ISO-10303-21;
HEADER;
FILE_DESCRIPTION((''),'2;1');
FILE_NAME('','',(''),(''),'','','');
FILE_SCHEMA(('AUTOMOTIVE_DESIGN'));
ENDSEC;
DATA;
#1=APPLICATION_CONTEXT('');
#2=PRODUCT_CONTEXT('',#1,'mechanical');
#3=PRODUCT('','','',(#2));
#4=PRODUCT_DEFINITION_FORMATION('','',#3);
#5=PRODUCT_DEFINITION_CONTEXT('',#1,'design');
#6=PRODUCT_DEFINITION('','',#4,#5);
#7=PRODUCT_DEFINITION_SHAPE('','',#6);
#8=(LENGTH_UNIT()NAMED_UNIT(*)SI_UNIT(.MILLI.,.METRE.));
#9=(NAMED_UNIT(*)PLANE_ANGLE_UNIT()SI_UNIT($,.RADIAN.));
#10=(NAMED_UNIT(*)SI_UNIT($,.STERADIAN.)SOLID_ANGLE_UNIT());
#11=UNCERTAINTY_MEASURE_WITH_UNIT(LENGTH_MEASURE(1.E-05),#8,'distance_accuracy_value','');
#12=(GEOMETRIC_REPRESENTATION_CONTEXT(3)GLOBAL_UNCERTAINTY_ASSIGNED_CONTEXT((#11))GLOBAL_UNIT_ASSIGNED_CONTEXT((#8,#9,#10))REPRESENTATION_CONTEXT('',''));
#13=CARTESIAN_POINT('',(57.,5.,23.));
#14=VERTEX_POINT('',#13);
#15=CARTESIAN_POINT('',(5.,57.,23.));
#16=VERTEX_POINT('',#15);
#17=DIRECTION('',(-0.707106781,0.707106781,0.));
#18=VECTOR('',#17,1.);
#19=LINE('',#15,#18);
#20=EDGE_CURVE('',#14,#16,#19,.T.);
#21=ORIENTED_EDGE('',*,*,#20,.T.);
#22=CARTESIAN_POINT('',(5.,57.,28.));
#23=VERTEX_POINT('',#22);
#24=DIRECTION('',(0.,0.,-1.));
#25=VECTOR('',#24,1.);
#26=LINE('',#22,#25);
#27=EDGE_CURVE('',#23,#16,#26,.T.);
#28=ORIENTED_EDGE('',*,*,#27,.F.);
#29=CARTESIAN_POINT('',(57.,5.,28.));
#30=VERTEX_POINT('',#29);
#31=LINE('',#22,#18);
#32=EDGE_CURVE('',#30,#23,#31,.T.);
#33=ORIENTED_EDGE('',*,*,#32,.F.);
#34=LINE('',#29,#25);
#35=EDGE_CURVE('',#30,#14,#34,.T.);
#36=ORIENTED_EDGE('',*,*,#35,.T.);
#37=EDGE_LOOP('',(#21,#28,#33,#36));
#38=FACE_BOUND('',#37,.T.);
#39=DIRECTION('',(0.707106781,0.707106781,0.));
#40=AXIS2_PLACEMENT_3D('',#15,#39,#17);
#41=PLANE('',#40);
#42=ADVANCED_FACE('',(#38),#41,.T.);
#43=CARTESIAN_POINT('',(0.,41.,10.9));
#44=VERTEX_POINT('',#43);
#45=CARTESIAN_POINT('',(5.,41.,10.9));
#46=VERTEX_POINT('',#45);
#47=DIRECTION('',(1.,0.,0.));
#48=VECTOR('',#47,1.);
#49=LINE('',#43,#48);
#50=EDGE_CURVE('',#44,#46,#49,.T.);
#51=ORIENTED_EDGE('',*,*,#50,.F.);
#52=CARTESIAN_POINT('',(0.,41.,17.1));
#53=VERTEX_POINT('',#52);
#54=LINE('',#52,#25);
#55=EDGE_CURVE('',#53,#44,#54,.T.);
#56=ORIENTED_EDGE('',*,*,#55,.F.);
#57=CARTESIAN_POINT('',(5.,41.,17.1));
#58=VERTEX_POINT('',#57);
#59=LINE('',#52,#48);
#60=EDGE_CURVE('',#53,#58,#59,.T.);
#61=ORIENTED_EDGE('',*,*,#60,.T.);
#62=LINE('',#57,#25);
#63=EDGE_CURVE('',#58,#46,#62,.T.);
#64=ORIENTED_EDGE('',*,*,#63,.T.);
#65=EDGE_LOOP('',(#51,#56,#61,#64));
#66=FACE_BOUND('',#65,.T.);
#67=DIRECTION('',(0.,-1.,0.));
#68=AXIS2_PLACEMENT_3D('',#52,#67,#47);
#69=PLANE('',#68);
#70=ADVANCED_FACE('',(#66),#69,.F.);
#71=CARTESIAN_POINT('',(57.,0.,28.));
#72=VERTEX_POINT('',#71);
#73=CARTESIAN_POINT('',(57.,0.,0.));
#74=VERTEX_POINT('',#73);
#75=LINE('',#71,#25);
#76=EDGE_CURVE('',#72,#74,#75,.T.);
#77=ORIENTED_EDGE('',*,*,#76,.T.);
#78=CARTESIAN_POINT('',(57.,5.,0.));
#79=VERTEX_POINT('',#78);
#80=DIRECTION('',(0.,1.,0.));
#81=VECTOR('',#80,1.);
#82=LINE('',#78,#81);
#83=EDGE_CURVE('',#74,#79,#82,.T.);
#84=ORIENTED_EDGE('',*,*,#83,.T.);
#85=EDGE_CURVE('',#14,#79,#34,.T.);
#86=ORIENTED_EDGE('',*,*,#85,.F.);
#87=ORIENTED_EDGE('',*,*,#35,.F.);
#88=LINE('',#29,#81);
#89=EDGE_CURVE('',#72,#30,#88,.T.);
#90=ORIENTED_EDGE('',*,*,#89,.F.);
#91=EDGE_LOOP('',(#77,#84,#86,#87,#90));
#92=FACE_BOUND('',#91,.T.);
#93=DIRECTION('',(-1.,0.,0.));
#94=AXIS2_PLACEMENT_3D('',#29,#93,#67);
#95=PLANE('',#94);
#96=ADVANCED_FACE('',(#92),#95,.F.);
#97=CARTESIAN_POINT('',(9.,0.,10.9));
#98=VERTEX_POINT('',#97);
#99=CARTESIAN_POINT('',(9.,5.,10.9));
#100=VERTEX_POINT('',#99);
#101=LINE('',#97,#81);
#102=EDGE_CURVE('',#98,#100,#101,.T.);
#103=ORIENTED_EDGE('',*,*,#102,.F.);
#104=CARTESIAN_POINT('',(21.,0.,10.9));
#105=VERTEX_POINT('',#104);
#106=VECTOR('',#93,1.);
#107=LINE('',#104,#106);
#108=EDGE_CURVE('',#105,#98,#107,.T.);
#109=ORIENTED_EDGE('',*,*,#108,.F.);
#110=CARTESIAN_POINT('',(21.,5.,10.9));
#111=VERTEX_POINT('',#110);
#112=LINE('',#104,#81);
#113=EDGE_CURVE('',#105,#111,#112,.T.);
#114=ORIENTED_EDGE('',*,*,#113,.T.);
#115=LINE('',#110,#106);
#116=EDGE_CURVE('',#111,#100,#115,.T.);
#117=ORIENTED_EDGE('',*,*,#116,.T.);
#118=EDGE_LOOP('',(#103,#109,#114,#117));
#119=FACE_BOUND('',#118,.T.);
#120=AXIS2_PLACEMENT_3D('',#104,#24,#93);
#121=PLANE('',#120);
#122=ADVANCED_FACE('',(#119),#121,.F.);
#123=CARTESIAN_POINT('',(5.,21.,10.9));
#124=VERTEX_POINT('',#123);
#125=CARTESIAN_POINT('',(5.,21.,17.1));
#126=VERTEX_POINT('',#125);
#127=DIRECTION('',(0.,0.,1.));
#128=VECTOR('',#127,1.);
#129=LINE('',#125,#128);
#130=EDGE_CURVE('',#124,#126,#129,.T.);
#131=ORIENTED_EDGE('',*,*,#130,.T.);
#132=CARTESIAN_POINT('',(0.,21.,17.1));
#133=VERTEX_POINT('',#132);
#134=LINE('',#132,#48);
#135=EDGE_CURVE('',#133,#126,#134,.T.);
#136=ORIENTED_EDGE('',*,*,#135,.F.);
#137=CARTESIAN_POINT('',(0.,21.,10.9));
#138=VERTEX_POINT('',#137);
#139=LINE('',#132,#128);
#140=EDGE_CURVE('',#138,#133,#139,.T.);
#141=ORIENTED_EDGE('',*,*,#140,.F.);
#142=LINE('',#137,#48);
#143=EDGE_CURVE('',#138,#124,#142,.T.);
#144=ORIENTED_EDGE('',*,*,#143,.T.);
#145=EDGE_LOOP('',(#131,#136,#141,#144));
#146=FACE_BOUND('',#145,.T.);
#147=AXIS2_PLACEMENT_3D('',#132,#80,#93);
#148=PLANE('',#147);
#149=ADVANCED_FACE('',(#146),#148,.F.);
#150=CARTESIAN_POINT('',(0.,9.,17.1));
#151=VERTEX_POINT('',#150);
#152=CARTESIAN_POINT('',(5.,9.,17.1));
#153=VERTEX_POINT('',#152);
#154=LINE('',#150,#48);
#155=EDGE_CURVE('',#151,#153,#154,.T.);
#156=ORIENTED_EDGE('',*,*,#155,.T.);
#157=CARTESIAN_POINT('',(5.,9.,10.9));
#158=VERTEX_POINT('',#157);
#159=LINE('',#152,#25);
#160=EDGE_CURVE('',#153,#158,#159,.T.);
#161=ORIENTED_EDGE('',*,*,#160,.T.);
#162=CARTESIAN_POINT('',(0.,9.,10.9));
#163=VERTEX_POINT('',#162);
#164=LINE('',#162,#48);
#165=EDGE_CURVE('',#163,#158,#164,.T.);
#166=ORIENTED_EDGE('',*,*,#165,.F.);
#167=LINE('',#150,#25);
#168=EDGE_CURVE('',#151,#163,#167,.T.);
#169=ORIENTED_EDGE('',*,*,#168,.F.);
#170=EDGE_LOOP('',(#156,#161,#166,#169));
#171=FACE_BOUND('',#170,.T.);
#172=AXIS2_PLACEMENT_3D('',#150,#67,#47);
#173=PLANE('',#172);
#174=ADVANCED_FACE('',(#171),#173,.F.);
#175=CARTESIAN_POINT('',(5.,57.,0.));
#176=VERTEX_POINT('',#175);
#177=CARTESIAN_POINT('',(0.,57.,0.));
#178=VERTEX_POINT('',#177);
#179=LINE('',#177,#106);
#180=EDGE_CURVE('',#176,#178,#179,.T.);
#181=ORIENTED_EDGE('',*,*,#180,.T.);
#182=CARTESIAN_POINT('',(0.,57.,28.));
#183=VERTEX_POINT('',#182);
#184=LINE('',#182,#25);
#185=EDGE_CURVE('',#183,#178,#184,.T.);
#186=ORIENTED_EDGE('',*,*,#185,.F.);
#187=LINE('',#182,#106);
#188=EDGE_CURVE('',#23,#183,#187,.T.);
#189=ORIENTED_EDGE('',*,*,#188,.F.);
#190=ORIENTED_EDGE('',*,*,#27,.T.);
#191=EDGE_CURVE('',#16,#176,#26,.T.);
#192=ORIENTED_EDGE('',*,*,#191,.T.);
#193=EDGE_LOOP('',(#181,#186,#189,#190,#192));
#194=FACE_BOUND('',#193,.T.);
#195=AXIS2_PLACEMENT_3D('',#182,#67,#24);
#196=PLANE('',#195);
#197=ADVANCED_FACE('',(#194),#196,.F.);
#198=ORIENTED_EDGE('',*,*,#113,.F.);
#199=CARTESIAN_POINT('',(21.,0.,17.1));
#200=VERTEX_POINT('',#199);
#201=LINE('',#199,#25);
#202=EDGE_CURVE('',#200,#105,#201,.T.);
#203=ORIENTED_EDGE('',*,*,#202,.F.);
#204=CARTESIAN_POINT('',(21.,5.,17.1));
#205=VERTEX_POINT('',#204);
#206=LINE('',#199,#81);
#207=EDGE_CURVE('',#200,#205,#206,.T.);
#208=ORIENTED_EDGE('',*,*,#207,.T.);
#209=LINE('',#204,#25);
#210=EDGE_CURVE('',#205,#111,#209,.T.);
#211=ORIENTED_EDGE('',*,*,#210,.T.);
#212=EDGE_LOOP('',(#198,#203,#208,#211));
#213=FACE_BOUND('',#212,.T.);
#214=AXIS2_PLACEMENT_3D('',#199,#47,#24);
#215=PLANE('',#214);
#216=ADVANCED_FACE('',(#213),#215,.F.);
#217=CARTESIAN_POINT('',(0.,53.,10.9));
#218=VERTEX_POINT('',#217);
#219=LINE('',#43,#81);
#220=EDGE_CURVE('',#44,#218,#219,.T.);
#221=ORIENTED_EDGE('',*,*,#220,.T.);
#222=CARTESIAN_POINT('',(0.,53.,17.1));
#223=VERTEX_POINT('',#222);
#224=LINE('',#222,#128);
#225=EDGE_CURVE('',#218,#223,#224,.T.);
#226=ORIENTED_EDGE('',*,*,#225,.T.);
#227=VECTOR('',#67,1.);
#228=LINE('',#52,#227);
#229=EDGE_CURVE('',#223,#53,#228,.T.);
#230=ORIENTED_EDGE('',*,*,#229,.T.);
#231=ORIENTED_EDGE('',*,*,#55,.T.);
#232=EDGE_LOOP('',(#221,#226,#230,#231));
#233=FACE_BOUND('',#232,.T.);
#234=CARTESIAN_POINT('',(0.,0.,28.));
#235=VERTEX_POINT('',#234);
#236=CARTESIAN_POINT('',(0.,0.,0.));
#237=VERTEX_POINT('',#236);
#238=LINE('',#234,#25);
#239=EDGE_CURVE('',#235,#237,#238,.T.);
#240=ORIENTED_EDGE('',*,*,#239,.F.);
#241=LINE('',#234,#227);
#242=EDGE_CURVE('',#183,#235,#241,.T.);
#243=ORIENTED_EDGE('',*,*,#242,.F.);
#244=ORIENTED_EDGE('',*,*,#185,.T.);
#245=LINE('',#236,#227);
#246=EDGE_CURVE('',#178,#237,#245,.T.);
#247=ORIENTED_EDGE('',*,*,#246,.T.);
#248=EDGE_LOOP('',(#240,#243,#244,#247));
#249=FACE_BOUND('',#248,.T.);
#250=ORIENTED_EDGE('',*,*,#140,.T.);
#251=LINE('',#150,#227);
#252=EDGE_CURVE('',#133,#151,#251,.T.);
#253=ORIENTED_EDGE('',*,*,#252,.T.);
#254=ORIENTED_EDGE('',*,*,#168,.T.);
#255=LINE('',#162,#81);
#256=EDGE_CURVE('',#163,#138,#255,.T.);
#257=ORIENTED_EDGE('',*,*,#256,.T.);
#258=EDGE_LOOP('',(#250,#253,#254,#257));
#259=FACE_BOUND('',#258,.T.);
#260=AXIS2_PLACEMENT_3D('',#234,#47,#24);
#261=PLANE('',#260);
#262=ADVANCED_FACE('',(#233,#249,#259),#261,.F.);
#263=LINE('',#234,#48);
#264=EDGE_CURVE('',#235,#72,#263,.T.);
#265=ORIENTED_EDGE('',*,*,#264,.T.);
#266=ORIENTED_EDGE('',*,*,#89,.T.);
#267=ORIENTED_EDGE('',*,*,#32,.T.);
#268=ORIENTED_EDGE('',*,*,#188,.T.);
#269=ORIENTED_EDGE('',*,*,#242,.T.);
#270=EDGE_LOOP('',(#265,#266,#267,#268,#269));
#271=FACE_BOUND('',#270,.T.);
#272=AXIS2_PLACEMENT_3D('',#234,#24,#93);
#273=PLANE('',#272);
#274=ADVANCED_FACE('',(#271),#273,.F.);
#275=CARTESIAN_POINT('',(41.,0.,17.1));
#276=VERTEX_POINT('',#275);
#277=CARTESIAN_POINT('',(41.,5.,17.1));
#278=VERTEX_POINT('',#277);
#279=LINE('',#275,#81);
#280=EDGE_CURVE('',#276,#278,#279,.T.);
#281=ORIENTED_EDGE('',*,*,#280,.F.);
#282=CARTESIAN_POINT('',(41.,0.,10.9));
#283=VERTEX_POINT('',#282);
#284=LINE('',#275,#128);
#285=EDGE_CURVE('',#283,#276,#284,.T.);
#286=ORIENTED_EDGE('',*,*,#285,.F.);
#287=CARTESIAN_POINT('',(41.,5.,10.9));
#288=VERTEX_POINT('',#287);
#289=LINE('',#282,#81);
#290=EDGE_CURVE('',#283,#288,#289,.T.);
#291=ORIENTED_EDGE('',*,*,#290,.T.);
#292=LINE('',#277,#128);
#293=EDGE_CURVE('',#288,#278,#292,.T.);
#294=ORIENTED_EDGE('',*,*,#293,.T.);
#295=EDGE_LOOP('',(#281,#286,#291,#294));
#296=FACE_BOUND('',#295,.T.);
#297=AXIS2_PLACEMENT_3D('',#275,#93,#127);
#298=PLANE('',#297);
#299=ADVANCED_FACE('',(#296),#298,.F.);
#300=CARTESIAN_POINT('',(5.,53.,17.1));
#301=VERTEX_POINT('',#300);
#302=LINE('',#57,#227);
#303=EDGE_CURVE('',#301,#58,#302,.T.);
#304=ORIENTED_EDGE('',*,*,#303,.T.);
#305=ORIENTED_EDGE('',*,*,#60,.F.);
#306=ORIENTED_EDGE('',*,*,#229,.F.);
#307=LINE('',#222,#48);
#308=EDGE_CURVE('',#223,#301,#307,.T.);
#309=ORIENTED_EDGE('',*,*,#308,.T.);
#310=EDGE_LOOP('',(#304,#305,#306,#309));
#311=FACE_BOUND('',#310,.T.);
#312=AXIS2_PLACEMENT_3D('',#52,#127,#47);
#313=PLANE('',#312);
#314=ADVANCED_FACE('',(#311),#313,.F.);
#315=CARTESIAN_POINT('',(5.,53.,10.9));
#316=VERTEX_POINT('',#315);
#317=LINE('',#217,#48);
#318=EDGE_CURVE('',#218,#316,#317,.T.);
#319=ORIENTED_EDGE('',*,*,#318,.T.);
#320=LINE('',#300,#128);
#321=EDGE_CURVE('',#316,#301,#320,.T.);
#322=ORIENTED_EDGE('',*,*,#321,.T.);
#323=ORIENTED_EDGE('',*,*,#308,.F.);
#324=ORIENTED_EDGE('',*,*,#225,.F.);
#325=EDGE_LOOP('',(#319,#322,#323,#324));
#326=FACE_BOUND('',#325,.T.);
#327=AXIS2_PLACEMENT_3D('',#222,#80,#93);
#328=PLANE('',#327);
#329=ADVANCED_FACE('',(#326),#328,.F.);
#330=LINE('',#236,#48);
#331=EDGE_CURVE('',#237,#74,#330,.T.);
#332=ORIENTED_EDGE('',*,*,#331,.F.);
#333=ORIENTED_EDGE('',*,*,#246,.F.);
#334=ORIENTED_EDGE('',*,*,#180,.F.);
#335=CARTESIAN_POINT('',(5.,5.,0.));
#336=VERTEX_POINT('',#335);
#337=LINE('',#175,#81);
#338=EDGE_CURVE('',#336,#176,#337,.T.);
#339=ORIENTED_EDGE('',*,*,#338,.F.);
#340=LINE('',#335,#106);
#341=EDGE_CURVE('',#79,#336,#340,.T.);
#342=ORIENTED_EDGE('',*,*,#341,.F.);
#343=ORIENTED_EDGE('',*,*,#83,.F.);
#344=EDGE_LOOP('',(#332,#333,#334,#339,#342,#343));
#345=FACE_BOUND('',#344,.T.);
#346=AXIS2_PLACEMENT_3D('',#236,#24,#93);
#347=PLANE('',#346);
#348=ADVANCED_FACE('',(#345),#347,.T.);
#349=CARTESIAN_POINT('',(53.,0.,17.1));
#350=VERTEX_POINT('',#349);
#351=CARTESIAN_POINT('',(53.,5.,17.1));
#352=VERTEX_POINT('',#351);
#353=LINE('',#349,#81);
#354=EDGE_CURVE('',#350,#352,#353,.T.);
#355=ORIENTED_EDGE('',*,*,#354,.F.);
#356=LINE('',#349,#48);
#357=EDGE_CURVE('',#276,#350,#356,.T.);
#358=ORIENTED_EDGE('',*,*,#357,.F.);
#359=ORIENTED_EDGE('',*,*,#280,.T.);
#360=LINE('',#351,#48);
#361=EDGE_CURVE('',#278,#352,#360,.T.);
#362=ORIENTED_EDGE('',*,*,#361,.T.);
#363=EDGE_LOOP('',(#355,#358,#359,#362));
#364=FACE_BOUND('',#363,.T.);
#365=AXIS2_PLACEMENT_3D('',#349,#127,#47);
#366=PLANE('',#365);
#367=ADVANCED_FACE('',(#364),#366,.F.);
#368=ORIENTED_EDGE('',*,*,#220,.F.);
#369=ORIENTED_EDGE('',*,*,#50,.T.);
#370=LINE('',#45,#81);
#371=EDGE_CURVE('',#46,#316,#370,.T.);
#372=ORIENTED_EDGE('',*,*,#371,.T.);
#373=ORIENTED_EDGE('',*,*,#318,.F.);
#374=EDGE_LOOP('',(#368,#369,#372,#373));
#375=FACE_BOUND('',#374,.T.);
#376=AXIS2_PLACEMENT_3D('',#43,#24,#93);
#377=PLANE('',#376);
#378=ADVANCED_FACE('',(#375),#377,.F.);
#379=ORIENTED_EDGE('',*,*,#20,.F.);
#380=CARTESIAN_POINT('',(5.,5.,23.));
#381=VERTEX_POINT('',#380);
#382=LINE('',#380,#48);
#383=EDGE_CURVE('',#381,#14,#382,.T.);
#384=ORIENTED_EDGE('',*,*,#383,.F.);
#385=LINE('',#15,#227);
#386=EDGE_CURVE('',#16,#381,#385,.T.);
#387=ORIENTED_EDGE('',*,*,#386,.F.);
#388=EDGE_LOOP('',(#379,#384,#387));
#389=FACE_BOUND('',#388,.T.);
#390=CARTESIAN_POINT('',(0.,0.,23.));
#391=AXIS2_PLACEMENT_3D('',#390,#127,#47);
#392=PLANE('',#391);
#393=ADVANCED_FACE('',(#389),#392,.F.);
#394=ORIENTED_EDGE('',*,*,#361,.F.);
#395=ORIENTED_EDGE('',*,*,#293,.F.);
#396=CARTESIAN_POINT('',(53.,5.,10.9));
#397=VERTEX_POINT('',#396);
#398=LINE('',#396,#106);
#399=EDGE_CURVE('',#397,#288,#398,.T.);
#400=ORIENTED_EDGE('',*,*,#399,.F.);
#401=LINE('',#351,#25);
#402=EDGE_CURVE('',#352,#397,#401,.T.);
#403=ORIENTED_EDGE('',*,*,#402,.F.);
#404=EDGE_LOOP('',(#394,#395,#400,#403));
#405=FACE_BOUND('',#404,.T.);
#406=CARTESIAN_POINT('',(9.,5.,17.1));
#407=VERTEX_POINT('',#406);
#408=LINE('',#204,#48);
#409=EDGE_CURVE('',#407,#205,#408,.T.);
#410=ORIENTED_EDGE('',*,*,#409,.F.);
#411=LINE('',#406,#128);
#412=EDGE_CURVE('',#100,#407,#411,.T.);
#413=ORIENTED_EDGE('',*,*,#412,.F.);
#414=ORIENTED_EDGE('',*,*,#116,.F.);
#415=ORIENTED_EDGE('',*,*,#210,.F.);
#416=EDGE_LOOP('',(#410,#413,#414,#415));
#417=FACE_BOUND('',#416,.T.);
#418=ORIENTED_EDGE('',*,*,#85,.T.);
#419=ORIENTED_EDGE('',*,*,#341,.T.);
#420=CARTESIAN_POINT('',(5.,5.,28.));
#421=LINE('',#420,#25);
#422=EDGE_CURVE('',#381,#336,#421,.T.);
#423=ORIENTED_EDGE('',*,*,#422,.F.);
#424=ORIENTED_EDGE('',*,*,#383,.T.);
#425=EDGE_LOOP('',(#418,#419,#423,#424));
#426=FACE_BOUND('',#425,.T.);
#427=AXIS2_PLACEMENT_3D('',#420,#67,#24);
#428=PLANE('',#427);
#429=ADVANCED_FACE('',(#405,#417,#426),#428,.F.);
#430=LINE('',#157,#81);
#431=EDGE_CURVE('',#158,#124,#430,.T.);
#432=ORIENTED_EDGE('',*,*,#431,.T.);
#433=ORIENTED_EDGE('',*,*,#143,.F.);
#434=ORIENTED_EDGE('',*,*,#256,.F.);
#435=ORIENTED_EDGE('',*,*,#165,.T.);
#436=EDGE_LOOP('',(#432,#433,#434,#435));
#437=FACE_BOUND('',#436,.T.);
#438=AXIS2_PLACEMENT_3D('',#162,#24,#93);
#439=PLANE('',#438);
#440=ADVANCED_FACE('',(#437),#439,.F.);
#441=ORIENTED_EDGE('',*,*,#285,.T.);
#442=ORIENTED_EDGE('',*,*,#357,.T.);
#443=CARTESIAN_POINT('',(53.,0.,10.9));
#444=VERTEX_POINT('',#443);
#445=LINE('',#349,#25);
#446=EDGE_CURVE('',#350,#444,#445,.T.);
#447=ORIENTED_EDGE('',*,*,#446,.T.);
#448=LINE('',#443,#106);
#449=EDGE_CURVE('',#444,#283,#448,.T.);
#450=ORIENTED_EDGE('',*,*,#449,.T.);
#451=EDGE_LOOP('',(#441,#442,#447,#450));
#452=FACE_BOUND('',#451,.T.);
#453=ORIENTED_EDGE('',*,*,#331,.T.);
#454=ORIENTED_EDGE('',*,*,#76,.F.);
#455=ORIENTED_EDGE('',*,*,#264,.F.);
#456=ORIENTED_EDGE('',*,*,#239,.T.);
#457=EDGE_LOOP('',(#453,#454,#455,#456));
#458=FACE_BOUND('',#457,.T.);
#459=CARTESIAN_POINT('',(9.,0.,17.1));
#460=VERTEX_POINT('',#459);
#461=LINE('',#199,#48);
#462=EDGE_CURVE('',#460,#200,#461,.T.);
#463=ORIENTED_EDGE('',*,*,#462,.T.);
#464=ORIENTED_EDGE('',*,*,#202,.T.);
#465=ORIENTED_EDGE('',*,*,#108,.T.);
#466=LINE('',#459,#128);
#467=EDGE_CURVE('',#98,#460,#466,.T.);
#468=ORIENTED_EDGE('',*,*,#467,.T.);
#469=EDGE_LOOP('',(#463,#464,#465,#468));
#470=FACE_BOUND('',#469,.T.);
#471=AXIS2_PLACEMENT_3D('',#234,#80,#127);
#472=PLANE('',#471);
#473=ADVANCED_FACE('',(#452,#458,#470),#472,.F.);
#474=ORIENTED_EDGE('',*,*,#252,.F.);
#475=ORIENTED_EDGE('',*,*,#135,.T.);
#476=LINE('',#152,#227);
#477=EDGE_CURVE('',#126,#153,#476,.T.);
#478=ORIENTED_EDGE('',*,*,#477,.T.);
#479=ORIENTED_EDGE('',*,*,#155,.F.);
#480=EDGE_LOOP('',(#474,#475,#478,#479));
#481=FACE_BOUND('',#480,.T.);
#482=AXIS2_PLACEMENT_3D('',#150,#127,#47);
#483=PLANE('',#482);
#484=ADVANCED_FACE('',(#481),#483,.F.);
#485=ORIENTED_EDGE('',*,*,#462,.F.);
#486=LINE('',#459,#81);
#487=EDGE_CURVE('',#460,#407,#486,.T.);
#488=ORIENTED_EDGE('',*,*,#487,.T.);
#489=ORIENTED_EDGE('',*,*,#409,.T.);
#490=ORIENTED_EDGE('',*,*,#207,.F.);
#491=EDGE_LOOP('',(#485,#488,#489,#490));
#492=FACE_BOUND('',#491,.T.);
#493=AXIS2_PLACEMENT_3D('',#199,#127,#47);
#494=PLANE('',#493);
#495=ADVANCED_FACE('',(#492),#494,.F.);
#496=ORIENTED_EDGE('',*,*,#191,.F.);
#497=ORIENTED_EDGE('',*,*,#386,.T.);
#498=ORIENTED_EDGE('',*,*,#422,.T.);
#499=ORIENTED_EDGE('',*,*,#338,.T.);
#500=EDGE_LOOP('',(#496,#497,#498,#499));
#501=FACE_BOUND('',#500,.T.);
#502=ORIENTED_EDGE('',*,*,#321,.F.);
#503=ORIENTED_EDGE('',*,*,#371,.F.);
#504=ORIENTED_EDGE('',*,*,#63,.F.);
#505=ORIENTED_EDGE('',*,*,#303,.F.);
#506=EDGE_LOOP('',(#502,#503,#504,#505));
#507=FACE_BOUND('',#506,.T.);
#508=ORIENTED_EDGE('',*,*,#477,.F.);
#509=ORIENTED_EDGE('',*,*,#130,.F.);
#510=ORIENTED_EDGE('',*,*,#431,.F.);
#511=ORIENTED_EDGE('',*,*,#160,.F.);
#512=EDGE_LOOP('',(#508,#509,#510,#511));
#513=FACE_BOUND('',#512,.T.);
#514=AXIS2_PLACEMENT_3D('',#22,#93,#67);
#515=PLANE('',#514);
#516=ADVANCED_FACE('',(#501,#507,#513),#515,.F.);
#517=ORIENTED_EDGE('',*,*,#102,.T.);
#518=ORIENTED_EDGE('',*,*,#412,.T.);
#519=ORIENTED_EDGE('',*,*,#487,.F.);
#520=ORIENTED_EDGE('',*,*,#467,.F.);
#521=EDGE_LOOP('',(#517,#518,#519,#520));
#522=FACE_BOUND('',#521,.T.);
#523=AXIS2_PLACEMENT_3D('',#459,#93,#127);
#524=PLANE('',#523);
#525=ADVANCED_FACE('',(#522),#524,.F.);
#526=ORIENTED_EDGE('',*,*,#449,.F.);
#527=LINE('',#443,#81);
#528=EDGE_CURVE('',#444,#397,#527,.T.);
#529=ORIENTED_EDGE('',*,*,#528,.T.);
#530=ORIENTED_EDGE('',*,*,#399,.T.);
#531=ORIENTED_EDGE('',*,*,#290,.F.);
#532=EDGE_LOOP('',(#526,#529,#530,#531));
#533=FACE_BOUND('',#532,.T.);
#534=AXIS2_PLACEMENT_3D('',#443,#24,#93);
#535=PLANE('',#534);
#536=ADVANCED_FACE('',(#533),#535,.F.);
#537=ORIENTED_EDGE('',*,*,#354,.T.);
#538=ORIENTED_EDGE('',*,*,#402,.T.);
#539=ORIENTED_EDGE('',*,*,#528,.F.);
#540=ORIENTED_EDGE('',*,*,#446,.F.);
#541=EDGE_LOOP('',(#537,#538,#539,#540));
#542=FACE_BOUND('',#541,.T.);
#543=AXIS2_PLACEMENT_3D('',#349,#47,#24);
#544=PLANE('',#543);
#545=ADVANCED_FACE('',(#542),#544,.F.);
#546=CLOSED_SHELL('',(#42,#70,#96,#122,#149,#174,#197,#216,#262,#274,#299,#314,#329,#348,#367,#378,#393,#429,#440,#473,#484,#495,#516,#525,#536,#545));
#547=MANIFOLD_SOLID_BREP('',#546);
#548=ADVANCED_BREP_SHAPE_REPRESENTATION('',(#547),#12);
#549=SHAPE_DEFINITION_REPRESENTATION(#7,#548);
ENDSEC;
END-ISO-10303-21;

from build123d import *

# Parameters (mm, degrees)
BOSS_EXTRUDE1_DEPTH = 28
BOSS_EXTRUDE2_DEPTH = 5
SKETCH3_W           = 6.2
SKETCH3_H           = 12
CUT_EXTRUDE1_DEPTH  = 5
SKETCH4_W           = 12
SKETCH4_H           = 6.2
CUT_EXTRUDE2_DEPTH  = 5


with BuildPart() as part:
    # Sketch1 → Boss-Extrude1 (new body)
    with BuildSketch(Plane.XY):
        Polygon((5, 57), (5, 5), (57, 5), (57, 0), (0, 0), (0, 57), align=None)
    extrude(amount=BOSS_EXTRUDE1_DEPTH)

    # Sketch2 → Boss-Extrude2 (add)
    with BuildSketch(Plane.XY.offset(28)):
        Polygon((5, 57), (57, 5), (5, 5), align=None)
    extrude(amount=-BOSS_EXTRUDE2_DEPTH)

    # Sketch3 → Cut-Extrude1 (cut)
    with BuildSketch(Plane(origin=(5, 0, 0), x_dir=(0, 0, -1), z_dir=(1, 0, 0))):
        with Locations((-14, 47)):
            Rectangle(SKETCH3_W, SKETCH3_H)
        with Locations((-14, 15)):
            Rectangle(SKETCH3_W, SKETCH3_H)
    extrude(amount=-CUT_EXTRUDE1_DEPTH, mode=Mode.SUBTRACT)

    # Sketch4 → Cut-Extrude2 (cut)
    with BuildSketch(Plane(origin=(0, 5, 0), x_dir=(1, 0, 0), z_dir=(0, 1, 0))):
        with Locations((47, -14)):
            Rectangle(SKETCH4_W, SKETCH4_H)
        with Locations((15, -14)):
            Rectangle(SKETCH4_W, SKETCH4_H)
    extrude(amount=-CUT_EXTRUDE2_DEPTH, mode=Mode.SUBTRACT)


solid = part.part
